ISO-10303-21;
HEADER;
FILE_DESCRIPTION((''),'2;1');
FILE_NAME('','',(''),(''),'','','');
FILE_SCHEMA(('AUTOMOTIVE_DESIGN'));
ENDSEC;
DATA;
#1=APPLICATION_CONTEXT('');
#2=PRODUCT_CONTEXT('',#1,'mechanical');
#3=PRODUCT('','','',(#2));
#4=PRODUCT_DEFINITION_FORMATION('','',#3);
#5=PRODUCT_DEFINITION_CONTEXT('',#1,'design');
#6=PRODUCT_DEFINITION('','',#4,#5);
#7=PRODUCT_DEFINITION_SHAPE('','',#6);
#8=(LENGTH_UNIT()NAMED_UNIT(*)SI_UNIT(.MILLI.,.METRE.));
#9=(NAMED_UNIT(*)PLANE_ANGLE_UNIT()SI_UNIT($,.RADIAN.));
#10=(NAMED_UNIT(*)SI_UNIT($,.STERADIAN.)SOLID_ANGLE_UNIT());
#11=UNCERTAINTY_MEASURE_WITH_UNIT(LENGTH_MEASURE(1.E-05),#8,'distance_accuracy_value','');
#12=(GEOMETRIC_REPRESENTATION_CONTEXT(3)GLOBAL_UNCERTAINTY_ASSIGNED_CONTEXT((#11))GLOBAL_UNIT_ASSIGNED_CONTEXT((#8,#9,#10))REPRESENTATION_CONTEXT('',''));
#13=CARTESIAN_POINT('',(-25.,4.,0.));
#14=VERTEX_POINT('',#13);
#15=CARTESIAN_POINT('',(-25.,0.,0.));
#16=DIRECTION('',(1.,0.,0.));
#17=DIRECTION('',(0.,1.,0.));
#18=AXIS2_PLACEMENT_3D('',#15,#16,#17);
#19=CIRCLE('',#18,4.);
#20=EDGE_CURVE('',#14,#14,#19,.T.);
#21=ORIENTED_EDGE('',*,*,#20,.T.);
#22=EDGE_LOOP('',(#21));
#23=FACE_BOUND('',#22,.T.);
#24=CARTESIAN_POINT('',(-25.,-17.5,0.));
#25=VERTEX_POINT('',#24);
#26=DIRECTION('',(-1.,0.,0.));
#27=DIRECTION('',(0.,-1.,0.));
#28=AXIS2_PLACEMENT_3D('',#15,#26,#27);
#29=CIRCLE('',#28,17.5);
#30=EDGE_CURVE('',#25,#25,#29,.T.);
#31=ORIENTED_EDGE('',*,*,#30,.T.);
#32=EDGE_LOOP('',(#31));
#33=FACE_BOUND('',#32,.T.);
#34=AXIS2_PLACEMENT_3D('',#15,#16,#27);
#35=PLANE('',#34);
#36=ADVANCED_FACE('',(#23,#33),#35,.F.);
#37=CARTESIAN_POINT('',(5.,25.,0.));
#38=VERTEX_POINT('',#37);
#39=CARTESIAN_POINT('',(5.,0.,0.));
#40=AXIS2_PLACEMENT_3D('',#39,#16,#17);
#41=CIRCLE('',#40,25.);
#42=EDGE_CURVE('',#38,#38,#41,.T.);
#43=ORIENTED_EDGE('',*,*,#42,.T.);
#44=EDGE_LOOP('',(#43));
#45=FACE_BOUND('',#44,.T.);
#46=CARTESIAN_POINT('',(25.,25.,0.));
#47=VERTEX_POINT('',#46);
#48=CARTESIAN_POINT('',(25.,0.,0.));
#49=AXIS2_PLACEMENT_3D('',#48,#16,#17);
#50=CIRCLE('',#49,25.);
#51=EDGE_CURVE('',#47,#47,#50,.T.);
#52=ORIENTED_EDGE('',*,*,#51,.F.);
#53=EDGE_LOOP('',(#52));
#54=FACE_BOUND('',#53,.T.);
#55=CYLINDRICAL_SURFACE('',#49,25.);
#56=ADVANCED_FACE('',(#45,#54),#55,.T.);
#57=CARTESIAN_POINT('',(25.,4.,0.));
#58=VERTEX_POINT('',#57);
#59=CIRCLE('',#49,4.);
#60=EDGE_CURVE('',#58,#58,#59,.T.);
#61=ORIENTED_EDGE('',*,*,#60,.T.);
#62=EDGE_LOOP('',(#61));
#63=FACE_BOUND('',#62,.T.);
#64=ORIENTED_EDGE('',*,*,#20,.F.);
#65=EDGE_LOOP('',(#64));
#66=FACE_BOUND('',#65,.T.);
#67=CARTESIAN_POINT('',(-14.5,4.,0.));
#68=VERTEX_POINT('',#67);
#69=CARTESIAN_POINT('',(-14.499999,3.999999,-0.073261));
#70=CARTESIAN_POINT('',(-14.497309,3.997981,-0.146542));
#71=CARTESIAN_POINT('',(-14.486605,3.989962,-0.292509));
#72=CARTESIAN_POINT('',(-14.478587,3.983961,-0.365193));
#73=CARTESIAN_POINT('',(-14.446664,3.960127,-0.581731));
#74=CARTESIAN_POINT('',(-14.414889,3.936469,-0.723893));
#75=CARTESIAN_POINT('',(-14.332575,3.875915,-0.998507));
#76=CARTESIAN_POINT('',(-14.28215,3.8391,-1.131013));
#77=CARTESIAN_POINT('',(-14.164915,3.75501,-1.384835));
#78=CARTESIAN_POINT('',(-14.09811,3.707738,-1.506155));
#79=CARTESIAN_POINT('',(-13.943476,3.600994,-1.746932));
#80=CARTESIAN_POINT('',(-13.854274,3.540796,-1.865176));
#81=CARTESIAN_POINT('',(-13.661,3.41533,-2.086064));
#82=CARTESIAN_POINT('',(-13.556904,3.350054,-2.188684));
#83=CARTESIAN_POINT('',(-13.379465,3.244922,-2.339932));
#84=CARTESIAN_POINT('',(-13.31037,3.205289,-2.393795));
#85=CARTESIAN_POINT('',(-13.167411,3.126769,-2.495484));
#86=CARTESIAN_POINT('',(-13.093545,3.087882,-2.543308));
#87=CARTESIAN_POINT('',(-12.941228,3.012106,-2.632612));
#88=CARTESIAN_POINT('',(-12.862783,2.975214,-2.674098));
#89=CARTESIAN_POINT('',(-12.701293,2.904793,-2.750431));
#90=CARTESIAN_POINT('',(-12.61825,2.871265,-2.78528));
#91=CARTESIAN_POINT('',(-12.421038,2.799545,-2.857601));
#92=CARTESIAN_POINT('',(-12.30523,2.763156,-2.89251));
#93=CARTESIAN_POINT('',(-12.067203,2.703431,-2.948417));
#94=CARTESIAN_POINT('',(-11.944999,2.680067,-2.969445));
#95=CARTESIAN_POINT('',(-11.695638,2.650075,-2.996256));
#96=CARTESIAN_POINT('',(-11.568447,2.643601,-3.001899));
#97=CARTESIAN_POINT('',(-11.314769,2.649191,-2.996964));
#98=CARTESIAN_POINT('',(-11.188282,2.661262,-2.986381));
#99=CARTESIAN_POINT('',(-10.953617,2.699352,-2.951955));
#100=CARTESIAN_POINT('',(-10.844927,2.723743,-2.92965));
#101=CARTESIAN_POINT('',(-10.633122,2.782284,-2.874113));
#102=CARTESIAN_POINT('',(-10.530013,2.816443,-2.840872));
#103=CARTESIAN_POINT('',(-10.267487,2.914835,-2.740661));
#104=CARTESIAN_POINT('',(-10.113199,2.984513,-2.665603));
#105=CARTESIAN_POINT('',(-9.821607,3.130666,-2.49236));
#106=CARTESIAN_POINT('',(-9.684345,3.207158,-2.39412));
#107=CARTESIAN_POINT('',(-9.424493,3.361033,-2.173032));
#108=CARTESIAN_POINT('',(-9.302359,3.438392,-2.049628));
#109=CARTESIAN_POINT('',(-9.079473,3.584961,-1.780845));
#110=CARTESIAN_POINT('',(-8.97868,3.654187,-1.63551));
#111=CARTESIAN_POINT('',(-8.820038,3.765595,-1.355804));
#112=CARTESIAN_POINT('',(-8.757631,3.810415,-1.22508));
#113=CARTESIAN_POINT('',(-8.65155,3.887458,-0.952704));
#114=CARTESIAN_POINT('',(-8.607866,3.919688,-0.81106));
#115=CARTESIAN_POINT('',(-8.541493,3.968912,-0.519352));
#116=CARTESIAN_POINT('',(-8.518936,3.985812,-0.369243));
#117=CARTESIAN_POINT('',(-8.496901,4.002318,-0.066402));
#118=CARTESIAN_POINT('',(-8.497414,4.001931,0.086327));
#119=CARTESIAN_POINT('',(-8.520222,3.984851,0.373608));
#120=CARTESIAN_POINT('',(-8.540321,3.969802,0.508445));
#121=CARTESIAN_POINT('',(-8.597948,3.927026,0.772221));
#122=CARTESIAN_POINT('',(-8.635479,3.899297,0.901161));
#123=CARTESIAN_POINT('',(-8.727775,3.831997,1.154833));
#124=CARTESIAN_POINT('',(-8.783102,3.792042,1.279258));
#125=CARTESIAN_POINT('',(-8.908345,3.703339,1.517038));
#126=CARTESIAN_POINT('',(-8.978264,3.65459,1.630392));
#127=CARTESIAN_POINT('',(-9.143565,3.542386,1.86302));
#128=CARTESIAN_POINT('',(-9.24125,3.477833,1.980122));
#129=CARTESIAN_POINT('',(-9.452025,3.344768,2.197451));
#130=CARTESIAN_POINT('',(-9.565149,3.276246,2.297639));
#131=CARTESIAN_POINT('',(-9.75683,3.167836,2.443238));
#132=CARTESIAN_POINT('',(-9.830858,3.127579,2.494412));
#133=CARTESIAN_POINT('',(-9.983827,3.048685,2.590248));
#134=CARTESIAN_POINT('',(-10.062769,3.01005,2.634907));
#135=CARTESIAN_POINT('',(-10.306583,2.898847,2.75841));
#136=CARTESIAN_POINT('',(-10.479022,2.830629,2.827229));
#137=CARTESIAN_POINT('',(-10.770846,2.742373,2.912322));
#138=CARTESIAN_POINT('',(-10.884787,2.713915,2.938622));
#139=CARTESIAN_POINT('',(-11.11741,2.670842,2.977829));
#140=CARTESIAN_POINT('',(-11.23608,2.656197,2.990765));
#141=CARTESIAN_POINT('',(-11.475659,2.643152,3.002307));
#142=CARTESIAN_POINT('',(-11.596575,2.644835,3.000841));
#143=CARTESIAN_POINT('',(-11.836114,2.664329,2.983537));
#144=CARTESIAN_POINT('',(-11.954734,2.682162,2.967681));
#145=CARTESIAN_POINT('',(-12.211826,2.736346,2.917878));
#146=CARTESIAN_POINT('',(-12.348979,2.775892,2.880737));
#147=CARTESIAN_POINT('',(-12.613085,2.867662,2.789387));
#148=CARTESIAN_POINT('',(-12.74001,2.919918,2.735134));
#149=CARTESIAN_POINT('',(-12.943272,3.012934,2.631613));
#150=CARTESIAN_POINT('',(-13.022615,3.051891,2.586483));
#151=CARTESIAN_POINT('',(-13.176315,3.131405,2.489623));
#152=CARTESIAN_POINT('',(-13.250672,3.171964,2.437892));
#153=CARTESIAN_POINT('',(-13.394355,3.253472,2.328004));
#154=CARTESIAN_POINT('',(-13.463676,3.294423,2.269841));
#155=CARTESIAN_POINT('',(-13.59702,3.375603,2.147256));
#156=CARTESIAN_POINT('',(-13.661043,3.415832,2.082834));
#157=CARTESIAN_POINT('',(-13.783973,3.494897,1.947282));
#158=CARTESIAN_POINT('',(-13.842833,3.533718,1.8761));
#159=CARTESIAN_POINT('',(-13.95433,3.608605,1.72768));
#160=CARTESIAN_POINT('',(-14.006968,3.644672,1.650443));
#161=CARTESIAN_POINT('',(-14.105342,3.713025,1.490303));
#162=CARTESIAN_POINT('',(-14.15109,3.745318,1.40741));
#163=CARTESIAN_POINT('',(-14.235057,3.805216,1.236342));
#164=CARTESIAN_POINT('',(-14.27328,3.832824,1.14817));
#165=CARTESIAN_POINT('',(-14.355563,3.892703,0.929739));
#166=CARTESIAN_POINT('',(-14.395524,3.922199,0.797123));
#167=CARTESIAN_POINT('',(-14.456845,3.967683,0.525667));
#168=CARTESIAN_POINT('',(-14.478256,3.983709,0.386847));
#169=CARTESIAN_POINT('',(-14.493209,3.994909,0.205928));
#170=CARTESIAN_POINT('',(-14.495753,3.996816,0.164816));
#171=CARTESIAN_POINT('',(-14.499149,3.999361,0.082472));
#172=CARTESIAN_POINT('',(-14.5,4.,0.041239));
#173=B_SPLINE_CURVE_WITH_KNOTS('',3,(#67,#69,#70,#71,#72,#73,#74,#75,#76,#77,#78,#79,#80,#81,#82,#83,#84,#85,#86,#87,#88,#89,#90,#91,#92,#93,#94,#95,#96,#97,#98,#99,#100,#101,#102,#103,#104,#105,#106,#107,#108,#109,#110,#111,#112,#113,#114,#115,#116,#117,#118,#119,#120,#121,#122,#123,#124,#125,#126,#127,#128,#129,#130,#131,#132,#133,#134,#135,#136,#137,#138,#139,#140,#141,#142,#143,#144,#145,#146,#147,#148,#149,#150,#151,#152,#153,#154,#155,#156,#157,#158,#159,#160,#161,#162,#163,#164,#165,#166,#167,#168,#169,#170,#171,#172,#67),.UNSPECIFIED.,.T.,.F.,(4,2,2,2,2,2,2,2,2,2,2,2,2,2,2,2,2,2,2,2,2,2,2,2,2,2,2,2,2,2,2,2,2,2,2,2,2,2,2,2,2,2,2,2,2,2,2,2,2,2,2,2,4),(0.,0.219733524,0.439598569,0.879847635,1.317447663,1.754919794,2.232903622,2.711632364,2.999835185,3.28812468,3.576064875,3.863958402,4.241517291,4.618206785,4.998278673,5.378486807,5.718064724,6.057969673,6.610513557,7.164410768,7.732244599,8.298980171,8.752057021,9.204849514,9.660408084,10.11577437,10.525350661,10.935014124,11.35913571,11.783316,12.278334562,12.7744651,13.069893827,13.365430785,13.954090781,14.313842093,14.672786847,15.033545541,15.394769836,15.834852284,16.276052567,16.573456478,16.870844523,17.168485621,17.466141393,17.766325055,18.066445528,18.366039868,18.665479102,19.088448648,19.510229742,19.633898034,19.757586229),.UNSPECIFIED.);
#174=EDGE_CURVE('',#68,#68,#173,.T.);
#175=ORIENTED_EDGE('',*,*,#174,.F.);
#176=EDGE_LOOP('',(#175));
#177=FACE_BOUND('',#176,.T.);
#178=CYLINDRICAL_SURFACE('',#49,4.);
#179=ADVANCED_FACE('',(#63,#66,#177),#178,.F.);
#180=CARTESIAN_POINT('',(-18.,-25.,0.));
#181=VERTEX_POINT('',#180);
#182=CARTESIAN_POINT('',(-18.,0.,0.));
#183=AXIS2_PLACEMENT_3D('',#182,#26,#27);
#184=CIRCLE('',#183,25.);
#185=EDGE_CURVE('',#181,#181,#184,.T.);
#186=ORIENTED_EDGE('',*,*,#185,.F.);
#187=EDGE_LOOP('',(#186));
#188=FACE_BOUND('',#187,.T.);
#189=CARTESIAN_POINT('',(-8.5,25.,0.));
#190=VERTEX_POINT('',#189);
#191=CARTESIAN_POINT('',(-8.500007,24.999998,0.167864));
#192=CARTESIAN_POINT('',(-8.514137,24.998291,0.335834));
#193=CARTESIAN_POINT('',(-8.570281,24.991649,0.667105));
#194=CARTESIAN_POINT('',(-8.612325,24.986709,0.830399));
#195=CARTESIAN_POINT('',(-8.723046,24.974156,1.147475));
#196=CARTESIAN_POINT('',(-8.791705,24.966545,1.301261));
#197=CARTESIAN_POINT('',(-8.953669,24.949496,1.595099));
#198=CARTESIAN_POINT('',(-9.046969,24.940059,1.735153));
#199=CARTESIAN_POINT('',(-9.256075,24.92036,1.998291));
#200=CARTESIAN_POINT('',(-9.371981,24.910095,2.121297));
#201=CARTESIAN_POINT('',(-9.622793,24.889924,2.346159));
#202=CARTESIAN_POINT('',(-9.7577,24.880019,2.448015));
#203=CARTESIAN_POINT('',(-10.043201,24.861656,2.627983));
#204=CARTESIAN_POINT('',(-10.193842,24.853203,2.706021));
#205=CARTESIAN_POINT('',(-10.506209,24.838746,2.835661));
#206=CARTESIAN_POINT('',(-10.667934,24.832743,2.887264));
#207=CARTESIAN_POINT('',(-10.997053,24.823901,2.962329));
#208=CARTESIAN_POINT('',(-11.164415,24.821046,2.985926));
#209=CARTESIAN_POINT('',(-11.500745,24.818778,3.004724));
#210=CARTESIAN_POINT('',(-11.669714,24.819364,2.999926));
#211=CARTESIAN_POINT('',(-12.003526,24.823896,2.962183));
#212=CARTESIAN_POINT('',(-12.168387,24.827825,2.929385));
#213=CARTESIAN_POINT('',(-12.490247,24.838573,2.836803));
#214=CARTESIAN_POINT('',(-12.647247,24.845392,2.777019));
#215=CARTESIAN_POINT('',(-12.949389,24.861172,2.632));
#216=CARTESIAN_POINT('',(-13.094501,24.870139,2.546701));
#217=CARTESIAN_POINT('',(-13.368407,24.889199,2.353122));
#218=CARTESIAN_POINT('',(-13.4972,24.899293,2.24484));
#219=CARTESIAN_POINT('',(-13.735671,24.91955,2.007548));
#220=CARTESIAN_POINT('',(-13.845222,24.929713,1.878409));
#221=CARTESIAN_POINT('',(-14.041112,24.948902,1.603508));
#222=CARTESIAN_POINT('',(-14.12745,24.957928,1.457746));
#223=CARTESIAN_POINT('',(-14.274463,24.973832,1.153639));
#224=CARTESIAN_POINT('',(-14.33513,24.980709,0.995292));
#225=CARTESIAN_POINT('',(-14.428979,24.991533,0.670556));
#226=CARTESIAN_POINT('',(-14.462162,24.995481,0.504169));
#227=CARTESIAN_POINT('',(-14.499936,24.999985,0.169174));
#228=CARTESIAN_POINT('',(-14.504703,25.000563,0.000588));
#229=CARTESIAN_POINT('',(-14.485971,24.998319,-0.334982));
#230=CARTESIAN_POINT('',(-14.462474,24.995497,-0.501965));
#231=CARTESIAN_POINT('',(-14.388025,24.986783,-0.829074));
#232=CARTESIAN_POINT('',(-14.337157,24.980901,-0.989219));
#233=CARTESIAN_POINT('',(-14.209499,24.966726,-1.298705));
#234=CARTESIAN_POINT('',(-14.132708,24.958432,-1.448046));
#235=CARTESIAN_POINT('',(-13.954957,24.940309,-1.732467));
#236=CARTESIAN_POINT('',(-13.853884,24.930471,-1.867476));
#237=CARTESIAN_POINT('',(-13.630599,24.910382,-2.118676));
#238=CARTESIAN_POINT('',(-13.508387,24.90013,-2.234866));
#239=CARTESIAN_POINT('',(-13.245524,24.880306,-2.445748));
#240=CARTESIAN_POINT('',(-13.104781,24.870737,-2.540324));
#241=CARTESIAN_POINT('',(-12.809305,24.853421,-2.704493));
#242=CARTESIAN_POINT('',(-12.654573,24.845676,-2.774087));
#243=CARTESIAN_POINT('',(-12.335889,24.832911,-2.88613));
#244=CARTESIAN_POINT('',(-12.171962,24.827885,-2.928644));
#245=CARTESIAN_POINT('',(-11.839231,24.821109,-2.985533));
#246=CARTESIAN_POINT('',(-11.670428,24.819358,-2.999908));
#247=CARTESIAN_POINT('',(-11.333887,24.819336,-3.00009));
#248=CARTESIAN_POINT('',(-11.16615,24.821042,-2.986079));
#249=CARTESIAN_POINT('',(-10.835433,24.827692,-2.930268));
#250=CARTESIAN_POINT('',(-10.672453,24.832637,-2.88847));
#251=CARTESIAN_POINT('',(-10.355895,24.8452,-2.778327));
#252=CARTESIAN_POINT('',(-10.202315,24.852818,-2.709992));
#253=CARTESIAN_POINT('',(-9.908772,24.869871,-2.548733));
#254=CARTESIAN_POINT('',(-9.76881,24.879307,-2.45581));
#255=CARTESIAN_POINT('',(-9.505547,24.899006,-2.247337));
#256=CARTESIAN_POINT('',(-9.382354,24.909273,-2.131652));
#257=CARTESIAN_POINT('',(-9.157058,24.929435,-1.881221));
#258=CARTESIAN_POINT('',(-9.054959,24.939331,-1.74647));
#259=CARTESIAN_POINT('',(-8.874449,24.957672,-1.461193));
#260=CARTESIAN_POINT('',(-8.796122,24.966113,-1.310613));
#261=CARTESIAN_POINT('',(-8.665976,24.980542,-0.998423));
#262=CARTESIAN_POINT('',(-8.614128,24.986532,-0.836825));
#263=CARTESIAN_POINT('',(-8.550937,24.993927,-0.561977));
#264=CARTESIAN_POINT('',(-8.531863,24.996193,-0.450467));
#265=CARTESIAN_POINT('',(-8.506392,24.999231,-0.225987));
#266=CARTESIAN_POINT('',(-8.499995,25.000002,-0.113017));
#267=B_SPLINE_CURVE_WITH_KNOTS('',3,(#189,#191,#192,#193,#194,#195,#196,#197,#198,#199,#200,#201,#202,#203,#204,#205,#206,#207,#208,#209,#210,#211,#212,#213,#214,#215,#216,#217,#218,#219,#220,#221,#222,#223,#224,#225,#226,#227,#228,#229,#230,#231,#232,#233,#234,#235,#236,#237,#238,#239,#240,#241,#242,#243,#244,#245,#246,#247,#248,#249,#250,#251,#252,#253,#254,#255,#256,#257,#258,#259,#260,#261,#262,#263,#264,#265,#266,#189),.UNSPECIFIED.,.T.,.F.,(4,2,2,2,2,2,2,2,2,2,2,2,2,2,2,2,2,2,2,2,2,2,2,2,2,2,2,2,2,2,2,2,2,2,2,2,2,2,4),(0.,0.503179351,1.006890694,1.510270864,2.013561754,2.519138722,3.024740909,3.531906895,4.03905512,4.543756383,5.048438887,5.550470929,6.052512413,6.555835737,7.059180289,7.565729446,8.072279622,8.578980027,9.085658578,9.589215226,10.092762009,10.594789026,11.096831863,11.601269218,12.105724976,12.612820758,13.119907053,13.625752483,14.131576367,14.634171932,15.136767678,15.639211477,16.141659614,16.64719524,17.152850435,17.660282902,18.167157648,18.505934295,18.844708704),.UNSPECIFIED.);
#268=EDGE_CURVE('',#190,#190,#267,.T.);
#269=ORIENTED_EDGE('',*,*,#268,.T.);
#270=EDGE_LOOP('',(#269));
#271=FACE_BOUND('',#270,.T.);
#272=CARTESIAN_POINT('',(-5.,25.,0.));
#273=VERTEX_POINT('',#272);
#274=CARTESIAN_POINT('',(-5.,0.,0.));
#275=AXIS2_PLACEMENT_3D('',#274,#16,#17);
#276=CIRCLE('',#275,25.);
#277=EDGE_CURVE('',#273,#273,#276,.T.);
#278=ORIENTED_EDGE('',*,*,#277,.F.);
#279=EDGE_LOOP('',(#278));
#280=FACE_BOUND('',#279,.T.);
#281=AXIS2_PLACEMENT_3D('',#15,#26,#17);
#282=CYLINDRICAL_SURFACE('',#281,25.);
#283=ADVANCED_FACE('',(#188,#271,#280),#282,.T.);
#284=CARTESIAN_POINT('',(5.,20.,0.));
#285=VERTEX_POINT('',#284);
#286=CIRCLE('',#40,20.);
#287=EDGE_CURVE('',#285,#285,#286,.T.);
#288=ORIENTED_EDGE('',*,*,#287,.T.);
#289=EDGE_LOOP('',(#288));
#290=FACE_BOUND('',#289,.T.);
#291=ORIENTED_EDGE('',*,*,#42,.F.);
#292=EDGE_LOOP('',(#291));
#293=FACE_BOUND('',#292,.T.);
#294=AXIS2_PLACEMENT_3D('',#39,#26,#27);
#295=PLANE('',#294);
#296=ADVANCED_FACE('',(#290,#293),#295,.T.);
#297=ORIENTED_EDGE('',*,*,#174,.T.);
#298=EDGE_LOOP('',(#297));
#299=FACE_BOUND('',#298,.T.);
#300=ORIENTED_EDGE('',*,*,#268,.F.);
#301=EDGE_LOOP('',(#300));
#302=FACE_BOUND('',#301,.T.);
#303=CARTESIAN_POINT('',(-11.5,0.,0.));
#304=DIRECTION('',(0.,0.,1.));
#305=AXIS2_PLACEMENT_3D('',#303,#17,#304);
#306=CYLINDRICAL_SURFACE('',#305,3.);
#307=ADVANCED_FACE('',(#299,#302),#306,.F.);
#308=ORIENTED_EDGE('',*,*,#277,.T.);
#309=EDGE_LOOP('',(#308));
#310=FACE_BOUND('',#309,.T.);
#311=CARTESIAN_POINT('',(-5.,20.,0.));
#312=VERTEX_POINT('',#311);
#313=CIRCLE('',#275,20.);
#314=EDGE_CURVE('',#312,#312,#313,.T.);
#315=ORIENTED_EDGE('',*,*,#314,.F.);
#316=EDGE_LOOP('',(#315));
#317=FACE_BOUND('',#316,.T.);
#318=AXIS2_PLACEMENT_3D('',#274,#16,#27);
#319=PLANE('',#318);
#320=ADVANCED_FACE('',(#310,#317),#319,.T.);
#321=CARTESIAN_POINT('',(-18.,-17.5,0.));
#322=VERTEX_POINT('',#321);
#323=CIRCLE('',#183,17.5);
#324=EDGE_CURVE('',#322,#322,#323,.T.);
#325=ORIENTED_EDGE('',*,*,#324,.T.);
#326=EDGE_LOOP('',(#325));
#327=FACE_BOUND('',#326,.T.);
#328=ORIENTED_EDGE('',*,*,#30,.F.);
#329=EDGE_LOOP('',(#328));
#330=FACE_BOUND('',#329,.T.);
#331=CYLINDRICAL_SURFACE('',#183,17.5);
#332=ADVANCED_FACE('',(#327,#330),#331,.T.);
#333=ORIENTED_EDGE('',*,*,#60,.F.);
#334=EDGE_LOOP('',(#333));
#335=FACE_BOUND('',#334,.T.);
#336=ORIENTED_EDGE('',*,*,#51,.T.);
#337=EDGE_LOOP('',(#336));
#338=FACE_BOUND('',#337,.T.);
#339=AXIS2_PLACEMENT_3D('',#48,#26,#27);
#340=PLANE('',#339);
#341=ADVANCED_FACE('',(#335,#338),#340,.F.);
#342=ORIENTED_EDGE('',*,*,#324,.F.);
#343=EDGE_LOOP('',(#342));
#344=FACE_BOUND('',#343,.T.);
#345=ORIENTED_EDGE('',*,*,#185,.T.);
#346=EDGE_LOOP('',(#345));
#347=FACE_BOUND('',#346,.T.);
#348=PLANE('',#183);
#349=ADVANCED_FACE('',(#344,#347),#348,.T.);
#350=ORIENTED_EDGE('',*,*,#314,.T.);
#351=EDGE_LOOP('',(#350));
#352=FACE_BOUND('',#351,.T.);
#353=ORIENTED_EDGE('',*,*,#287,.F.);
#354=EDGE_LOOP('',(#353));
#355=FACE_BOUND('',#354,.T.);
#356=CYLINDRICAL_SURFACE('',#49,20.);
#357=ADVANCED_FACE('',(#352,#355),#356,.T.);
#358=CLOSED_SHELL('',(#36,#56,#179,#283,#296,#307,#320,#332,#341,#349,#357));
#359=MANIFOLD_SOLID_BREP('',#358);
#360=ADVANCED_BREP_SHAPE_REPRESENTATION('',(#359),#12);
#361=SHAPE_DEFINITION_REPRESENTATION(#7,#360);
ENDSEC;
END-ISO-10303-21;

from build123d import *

# Parameters (mm, degrees)
SKETCH2_R          = 25
SKETCH2_R_2        = 17.5
CUT_EXTRUDE1_DEPTH = 7
SKETCH3_R          = 3
CUT_EXTRUDE2_DEPTH = 25


with BuildPart() as part:
    # Sketch1 → Revolve1 (revolve)
    with BuildSketch(Plane.XY):
        Polygon((0, 20), (0, 4), (25, 4), (25, 25), (5, 25), (5, 20), align=None)
    revolve(axis=Axis((25, 0, 0), (-1, 0, 0)))

    # Mirror1: part across plane


with BuildPart() as part_1:
    add(part.part)
    add(part.part.mirror(Plane(origin=(0, 0, 0), x_dir=(0, 0, 1), z_dir=(1, 0, 0))))

    # Sketch2 → Cut-Extrude1 (cut)
    with BuildSketch(Plane.ZY.offset(25)):
        with Locations(Location((0, 0, 0), (0, 0, 90))):
            Circle(SKETCH2_R)
        with Locations(Location((0, 0, 0), (0, 0, 270))):
            Circle(SKETCH2_R_2, mode=Mode.SUBTRACT)
    extrude(amount=-CUT_EXTRUDE1_DEPTH, mode=Mode.SUBTRACT)

    # Sketch3 → Cut-Extrude2 (cut)
    with BuildSketch(Plane(origin=(0, 25, 0), x_dir=(1, 0, 0), z_dir=(0, 1, 0))):
        with Locations(Location((-11.5, 0, 0), (0, 0, 180))):
            Circle(SKETCH3_R)
    extrude(amount=-CUT_EXTRUDE2_DEPTH, mode=Mode.SUBTRACT)


solid = part_1.part
